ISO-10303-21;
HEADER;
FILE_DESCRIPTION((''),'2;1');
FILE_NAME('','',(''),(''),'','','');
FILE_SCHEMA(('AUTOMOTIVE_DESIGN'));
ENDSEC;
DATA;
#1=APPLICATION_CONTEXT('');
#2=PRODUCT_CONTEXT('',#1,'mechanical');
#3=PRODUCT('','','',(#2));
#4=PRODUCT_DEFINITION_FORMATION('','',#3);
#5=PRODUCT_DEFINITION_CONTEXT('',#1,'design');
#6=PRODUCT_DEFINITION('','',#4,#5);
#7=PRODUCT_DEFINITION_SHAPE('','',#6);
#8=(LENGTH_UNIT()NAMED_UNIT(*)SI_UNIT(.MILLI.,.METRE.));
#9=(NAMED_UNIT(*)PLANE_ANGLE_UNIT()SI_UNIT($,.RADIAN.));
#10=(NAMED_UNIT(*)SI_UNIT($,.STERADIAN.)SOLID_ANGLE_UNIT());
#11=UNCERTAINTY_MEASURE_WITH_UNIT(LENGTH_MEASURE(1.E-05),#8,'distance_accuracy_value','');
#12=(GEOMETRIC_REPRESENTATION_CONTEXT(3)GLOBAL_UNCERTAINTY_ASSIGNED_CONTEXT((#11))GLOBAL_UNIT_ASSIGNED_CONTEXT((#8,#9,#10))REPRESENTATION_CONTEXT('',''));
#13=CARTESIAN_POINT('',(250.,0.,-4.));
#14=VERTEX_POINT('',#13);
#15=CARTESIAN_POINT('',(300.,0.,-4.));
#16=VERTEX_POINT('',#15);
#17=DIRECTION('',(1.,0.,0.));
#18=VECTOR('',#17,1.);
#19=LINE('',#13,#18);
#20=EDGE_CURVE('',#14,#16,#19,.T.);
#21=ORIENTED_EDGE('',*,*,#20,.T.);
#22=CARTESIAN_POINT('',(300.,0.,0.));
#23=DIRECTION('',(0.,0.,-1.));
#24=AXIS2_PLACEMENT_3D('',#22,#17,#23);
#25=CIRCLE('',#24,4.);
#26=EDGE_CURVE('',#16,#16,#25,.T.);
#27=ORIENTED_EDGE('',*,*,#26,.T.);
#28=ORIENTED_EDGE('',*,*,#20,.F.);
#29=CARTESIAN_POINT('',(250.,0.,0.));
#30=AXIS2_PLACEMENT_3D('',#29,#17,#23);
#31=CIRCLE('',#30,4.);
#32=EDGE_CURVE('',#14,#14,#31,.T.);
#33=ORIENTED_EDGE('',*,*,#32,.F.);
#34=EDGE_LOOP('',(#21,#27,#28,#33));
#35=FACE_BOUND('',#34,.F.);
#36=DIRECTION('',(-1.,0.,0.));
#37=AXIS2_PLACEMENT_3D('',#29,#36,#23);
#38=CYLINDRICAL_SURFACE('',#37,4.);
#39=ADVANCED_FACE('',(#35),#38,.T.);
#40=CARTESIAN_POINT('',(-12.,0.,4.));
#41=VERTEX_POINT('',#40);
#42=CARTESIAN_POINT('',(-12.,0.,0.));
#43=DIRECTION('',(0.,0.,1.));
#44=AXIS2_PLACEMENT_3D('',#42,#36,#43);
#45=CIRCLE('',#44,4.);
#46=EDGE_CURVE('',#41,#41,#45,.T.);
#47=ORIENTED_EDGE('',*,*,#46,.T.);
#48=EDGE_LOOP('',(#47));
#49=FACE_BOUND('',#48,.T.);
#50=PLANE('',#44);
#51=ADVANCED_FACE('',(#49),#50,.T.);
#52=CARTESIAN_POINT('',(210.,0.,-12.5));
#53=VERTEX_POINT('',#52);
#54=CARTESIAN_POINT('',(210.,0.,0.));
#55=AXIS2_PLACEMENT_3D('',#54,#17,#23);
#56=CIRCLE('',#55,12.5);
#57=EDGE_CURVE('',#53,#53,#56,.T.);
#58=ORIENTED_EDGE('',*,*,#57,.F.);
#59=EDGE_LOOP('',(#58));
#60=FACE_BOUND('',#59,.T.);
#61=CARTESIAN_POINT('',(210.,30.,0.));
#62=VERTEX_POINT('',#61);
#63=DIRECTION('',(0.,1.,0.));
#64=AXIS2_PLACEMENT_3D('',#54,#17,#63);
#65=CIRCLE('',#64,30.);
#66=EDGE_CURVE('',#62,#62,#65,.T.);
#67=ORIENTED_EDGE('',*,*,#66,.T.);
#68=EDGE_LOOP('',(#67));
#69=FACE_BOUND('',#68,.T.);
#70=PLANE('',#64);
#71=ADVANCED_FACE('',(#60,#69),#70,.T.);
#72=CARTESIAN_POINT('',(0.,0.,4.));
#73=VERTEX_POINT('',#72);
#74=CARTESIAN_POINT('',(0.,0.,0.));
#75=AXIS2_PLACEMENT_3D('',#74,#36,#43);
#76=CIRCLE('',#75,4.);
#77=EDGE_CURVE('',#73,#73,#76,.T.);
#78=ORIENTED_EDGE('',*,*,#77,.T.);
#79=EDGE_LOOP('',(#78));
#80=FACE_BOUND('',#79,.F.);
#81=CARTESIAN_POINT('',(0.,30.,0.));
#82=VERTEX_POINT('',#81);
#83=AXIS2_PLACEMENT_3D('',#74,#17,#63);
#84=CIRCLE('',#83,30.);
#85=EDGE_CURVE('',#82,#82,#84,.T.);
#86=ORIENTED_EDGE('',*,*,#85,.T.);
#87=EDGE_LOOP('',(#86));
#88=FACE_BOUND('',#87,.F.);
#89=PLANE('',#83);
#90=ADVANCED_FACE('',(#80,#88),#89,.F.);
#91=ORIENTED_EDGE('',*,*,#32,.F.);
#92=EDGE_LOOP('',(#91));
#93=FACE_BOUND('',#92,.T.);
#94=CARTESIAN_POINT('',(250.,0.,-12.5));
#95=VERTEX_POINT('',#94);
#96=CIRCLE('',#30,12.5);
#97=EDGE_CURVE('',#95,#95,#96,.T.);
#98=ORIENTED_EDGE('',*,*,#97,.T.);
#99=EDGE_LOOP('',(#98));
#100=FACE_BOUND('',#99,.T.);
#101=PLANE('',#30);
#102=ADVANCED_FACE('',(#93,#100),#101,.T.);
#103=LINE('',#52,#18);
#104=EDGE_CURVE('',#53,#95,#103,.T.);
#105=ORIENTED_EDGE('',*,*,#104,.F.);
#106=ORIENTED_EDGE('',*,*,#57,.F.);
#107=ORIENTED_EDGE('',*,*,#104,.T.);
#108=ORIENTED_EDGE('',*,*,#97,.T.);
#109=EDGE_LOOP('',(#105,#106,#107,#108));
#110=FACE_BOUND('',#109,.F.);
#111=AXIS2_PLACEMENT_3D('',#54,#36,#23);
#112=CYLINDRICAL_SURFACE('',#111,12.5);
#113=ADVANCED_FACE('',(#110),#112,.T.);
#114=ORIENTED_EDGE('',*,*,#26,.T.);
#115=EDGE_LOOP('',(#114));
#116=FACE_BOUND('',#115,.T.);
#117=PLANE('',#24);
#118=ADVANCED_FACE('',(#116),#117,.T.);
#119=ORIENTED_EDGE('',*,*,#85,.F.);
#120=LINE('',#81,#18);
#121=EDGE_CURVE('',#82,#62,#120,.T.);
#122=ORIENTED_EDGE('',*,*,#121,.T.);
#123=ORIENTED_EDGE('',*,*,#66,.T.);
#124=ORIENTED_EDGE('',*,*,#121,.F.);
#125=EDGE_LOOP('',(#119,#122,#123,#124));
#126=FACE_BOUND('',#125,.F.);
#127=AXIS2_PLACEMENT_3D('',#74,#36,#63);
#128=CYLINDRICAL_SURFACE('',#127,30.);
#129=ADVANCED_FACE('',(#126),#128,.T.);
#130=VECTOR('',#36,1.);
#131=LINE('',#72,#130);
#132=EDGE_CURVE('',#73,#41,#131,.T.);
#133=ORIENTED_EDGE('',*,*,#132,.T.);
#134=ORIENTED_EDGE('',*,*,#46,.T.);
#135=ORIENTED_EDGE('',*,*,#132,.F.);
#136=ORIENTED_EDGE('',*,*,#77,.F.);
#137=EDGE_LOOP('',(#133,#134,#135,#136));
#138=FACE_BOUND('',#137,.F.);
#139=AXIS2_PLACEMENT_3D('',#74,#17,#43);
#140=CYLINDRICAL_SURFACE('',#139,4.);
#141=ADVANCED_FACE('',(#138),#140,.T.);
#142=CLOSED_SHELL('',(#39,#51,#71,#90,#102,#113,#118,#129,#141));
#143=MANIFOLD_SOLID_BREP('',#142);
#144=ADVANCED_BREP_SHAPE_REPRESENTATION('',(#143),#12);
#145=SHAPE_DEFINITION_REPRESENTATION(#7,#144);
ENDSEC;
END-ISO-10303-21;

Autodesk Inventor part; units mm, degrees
ref_plane "YZ Plane" through (0, 0, 0) normal (1, 0, 0) x (0, 1, 0)
ref_plane "XZ Plane" through (0, 0, 0) normal (0, 1, 0) x (-1, 0, 0)
ref_plane "XY Plane" through (0, 0, 0) normal (0, 0, 1) x (1, 0, 0)
sketch "スケッチ1" plane through (0, 0, 0) normal (1, 0, 0) x (0, 1, 0)
  circle A0 centre (0, 0) radius 30
  dimension "d0" = 60
extrude "押し出し1" add sketch "スケッチ1" along normal blind 210
sketch "スケッチ3" plane through (0, 0, 0) normal (-1, 0, 0) x (0, 0, 1)
  circle A0 centre (0, 0) radius 4
  dimension "d6" = 8
extrude "押し出し3" add sketch "スケッチ3" along normal blind 12
sketch "スケッチ4" plane through (210, 0, 0) normal (1, 0, 0) x (0, 0, -1)
  circle A0 centre (0, 0) radius 12.5
  dimension "d9" = 25
extrude "押し出し4" add sketch "スケッチ4" along normal blind 40
sketch "スケッチ5" plane through (250, 0, 0) normal (1, 0, 0) x (0, 0, -1)
  circle A0 centre (0, 0) radius 4
  dimension "d12" = 8
extrude "押し出し5" add sketch "スケッチ5" along normal blind 50
properties part number "自作ローラ"
